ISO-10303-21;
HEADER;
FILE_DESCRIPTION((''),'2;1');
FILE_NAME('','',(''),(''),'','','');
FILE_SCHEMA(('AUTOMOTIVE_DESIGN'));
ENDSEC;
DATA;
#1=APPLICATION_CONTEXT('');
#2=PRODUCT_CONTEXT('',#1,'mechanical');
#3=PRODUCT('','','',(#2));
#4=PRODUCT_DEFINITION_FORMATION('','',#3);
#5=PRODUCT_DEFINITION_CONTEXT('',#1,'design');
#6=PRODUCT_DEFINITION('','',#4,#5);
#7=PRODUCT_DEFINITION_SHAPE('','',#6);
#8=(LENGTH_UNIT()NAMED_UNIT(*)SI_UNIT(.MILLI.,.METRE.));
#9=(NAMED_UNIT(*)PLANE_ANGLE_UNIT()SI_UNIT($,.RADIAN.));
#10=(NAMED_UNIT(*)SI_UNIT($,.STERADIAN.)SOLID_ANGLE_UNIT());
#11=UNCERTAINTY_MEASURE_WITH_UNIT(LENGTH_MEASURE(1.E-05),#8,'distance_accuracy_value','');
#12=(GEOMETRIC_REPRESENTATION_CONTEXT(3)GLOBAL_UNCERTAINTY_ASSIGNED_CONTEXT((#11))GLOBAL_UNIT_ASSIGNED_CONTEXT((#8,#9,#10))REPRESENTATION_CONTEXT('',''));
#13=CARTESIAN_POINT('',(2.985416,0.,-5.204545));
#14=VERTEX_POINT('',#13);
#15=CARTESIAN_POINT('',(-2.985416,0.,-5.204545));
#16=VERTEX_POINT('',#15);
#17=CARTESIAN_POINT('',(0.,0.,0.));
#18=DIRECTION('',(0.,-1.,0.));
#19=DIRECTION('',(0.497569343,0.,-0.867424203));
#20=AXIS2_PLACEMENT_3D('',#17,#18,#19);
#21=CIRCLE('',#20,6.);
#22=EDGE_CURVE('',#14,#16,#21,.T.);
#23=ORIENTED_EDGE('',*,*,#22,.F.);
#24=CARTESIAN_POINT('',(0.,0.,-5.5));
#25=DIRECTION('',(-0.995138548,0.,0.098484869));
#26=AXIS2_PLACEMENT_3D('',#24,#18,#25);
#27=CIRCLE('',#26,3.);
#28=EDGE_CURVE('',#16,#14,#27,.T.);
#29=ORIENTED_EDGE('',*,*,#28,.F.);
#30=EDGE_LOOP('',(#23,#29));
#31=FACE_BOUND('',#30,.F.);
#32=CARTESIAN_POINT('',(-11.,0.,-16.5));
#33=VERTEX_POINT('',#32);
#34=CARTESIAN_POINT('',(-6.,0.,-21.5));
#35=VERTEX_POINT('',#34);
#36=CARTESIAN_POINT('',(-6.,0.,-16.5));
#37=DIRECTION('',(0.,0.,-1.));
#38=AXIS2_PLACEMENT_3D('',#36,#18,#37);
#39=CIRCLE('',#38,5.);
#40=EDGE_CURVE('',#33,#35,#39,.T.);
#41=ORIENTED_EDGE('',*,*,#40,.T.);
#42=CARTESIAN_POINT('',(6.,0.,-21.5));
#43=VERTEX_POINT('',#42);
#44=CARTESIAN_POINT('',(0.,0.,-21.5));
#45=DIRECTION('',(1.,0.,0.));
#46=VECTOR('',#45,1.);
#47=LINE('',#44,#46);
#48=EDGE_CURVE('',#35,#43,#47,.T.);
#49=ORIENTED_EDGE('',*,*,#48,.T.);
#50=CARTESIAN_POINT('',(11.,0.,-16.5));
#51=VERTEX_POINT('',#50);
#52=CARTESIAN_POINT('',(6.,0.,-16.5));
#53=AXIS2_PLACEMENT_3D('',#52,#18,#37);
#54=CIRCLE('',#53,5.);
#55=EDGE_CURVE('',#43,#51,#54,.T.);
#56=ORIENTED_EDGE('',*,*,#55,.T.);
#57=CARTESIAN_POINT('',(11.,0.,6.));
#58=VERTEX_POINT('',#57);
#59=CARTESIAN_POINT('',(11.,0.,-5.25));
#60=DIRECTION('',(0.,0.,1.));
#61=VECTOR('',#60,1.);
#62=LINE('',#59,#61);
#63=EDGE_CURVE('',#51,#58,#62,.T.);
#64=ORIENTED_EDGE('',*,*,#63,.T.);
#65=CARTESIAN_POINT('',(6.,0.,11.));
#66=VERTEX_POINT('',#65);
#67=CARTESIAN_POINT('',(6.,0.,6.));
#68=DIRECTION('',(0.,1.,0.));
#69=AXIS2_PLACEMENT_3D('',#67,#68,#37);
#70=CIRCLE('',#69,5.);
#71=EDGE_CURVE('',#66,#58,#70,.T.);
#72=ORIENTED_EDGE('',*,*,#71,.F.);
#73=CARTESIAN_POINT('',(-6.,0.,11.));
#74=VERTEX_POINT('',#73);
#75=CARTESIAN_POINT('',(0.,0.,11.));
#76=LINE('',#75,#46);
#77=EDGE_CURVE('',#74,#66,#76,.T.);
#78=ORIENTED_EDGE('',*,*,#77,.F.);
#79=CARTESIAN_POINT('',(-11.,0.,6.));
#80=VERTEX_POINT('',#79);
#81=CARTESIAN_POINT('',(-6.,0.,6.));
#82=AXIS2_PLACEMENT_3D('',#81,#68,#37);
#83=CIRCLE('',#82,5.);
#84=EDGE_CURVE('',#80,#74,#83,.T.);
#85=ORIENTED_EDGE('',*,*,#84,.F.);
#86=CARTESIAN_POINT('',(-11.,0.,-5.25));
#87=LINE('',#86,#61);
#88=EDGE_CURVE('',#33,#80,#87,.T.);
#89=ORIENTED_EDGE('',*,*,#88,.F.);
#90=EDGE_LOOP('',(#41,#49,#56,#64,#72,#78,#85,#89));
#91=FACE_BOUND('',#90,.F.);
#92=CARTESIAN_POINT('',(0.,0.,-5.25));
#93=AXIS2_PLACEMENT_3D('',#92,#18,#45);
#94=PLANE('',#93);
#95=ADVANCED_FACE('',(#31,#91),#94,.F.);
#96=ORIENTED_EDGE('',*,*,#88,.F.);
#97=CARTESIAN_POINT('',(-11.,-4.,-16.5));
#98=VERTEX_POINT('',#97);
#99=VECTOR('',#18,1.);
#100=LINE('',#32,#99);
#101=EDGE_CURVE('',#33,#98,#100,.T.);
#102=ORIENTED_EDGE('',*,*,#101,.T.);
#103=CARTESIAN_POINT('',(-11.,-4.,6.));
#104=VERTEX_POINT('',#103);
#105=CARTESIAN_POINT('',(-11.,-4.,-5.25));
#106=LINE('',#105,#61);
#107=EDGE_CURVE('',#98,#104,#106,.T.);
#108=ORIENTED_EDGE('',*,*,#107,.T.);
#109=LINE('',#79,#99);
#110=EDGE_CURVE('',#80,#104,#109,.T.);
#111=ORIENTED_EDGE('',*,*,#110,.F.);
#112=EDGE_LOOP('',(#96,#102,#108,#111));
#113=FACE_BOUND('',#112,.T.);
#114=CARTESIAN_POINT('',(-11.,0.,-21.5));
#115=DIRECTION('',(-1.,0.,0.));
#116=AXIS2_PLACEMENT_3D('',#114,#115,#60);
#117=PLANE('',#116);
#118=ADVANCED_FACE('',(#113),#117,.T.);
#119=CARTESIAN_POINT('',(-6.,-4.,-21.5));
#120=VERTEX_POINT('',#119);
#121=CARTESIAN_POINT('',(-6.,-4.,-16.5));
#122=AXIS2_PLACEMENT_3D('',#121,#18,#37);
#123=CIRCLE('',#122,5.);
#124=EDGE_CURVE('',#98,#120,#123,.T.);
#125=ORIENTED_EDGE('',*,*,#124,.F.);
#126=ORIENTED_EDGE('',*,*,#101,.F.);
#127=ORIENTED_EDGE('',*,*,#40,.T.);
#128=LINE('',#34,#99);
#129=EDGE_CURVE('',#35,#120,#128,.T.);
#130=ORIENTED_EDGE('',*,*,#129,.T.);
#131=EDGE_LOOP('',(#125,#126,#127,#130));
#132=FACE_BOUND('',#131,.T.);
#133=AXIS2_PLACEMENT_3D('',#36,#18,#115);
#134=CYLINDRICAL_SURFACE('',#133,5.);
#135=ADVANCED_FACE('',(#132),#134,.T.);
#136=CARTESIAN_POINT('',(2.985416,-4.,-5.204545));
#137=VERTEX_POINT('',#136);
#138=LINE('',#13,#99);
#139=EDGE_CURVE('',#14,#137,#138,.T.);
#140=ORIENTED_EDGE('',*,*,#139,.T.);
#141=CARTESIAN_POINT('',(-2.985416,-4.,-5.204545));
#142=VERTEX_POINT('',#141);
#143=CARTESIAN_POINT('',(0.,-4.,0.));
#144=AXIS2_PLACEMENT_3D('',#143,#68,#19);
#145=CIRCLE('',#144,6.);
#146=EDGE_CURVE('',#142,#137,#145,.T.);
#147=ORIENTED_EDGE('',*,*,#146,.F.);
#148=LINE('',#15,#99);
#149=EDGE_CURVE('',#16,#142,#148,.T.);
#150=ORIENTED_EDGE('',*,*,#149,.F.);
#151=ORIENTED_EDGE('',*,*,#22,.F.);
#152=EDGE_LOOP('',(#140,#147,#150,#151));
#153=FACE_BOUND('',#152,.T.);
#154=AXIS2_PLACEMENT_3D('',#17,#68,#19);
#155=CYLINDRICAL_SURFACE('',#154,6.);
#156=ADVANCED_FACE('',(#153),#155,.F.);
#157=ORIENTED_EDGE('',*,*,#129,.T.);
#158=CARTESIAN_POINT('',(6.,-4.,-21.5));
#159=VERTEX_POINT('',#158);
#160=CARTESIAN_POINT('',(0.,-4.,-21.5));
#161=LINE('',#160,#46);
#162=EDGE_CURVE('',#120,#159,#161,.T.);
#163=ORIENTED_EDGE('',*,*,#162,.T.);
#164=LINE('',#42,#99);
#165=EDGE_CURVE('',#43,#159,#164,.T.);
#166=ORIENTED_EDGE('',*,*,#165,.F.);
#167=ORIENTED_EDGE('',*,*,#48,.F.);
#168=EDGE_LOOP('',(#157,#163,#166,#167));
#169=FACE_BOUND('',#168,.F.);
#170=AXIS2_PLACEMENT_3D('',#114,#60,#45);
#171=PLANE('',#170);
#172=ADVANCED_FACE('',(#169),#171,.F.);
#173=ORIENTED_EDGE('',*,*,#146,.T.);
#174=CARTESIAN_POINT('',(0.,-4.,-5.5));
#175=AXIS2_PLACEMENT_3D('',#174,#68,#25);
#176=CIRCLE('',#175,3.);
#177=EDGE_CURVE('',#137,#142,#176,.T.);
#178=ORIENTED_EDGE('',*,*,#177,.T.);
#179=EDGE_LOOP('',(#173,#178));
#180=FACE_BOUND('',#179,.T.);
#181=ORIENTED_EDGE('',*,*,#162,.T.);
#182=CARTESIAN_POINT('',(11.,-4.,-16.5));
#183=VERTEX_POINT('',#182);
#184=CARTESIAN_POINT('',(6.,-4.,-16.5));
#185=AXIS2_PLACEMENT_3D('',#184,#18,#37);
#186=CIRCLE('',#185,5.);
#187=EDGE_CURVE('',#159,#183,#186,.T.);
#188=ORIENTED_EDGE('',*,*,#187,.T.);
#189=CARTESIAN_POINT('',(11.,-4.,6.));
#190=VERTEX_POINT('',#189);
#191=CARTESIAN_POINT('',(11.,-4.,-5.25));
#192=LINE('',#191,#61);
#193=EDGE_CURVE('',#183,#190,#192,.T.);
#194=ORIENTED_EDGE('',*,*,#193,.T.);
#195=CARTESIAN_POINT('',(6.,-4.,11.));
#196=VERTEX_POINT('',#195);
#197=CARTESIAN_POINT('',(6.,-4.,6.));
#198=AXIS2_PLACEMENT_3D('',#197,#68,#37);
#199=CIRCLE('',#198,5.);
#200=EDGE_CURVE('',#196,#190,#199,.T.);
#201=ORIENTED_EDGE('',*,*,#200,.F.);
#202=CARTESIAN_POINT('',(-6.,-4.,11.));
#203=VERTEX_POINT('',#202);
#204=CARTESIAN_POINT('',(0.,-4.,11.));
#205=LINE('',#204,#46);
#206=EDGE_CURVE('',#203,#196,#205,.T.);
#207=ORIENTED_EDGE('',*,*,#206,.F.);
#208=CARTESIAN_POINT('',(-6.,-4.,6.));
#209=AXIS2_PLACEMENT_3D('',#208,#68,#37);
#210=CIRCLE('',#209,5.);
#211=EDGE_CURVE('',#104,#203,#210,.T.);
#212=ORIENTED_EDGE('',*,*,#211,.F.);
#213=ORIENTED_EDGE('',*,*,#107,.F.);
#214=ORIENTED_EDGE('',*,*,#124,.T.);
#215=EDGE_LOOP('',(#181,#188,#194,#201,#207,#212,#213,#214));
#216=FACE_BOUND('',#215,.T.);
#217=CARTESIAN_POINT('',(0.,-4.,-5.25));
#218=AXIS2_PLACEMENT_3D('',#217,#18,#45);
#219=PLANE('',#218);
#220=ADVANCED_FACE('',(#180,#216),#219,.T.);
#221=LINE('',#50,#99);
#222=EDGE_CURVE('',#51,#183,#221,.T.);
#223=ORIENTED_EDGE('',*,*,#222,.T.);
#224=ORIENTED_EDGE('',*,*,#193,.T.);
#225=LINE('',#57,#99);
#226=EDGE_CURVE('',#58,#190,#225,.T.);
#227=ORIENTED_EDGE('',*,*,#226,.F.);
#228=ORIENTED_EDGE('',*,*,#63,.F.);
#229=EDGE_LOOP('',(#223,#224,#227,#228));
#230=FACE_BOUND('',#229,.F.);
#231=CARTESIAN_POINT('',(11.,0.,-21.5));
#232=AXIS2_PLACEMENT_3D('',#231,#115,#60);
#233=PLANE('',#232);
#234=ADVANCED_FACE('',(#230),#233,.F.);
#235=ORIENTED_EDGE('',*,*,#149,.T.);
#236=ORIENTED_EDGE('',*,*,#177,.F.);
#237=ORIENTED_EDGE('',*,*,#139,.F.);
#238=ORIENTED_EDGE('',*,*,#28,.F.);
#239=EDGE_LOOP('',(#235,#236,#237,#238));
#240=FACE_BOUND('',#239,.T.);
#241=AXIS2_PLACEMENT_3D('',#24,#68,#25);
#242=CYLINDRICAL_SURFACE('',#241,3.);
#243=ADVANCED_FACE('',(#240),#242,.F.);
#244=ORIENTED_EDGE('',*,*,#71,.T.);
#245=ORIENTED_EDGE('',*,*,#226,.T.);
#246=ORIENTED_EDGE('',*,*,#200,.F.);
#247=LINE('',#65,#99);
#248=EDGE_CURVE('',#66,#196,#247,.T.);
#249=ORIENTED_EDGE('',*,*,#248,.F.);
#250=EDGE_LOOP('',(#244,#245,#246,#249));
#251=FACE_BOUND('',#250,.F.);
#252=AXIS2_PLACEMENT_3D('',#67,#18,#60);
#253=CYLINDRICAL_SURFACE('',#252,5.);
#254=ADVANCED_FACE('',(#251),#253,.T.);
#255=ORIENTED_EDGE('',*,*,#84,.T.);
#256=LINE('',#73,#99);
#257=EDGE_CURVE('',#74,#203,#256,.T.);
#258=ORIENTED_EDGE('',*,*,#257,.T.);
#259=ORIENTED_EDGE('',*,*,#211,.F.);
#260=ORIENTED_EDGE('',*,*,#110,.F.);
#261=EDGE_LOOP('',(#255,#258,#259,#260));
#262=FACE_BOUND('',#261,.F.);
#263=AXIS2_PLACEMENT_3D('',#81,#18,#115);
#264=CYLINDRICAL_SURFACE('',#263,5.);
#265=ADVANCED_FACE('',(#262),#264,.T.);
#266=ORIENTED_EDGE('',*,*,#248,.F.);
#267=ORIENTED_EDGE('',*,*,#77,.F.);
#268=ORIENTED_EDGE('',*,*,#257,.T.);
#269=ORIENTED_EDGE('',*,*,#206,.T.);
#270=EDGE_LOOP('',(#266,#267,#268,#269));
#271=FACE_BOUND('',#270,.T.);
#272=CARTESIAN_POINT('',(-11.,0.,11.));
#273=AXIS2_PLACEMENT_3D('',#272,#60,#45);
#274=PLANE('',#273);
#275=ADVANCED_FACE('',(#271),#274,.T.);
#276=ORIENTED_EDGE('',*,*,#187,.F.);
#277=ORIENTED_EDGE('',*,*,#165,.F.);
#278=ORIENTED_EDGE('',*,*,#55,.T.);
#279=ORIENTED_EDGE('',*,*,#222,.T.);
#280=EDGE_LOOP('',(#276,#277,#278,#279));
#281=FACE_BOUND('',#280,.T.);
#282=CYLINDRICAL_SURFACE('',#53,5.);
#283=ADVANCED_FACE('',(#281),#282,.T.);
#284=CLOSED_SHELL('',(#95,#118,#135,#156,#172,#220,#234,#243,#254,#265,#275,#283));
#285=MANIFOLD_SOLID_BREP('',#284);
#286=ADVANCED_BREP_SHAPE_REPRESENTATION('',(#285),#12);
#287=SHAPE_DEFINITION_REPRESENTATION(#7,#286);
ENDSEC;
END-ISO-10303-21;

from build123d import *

# Parameters (mm, degrees)
F1_W     = 22
F1_H     = 32.5
F2_DEPTH = 4
F3_DEPTH = 4.001
F4_R     = 5


with BuildPart() as f2:
    # F1 (on Front) → F2 (new body)
    with BuildSketch(Plane.XZ):
        with Locations((0, -5.25)):
            Rectangle(F1_W, F1_H)
    extrude(amount=F2_DEPTH)

    # F0 (on Front) → F3 (cut, through all)
    with BuildSketch(Plane.XZ):
        with BuildLine():
            ThreePointArc((-2.985416, -5.204545), (0, -8.5), (2.985416, -5.204545))
            ThreePointArc((2.985416, -5.204545), (0, 6), (-2.985416, -5.204545))
        make_face()
    extrude(amount=F3_DEPTH, mode=Mode.SUBTRACT)

    # F4
    f4_edges = [f2.edges().sort_by_distance(p)[0] for p in [
        (11, -2, 11),
        (-11, -2, 11),
        (-11, -2, -21.5),
        (11, -2, -21.5),
    ]]
    fillet(f4_edges, radius=F4_R)


solid = f2.part
